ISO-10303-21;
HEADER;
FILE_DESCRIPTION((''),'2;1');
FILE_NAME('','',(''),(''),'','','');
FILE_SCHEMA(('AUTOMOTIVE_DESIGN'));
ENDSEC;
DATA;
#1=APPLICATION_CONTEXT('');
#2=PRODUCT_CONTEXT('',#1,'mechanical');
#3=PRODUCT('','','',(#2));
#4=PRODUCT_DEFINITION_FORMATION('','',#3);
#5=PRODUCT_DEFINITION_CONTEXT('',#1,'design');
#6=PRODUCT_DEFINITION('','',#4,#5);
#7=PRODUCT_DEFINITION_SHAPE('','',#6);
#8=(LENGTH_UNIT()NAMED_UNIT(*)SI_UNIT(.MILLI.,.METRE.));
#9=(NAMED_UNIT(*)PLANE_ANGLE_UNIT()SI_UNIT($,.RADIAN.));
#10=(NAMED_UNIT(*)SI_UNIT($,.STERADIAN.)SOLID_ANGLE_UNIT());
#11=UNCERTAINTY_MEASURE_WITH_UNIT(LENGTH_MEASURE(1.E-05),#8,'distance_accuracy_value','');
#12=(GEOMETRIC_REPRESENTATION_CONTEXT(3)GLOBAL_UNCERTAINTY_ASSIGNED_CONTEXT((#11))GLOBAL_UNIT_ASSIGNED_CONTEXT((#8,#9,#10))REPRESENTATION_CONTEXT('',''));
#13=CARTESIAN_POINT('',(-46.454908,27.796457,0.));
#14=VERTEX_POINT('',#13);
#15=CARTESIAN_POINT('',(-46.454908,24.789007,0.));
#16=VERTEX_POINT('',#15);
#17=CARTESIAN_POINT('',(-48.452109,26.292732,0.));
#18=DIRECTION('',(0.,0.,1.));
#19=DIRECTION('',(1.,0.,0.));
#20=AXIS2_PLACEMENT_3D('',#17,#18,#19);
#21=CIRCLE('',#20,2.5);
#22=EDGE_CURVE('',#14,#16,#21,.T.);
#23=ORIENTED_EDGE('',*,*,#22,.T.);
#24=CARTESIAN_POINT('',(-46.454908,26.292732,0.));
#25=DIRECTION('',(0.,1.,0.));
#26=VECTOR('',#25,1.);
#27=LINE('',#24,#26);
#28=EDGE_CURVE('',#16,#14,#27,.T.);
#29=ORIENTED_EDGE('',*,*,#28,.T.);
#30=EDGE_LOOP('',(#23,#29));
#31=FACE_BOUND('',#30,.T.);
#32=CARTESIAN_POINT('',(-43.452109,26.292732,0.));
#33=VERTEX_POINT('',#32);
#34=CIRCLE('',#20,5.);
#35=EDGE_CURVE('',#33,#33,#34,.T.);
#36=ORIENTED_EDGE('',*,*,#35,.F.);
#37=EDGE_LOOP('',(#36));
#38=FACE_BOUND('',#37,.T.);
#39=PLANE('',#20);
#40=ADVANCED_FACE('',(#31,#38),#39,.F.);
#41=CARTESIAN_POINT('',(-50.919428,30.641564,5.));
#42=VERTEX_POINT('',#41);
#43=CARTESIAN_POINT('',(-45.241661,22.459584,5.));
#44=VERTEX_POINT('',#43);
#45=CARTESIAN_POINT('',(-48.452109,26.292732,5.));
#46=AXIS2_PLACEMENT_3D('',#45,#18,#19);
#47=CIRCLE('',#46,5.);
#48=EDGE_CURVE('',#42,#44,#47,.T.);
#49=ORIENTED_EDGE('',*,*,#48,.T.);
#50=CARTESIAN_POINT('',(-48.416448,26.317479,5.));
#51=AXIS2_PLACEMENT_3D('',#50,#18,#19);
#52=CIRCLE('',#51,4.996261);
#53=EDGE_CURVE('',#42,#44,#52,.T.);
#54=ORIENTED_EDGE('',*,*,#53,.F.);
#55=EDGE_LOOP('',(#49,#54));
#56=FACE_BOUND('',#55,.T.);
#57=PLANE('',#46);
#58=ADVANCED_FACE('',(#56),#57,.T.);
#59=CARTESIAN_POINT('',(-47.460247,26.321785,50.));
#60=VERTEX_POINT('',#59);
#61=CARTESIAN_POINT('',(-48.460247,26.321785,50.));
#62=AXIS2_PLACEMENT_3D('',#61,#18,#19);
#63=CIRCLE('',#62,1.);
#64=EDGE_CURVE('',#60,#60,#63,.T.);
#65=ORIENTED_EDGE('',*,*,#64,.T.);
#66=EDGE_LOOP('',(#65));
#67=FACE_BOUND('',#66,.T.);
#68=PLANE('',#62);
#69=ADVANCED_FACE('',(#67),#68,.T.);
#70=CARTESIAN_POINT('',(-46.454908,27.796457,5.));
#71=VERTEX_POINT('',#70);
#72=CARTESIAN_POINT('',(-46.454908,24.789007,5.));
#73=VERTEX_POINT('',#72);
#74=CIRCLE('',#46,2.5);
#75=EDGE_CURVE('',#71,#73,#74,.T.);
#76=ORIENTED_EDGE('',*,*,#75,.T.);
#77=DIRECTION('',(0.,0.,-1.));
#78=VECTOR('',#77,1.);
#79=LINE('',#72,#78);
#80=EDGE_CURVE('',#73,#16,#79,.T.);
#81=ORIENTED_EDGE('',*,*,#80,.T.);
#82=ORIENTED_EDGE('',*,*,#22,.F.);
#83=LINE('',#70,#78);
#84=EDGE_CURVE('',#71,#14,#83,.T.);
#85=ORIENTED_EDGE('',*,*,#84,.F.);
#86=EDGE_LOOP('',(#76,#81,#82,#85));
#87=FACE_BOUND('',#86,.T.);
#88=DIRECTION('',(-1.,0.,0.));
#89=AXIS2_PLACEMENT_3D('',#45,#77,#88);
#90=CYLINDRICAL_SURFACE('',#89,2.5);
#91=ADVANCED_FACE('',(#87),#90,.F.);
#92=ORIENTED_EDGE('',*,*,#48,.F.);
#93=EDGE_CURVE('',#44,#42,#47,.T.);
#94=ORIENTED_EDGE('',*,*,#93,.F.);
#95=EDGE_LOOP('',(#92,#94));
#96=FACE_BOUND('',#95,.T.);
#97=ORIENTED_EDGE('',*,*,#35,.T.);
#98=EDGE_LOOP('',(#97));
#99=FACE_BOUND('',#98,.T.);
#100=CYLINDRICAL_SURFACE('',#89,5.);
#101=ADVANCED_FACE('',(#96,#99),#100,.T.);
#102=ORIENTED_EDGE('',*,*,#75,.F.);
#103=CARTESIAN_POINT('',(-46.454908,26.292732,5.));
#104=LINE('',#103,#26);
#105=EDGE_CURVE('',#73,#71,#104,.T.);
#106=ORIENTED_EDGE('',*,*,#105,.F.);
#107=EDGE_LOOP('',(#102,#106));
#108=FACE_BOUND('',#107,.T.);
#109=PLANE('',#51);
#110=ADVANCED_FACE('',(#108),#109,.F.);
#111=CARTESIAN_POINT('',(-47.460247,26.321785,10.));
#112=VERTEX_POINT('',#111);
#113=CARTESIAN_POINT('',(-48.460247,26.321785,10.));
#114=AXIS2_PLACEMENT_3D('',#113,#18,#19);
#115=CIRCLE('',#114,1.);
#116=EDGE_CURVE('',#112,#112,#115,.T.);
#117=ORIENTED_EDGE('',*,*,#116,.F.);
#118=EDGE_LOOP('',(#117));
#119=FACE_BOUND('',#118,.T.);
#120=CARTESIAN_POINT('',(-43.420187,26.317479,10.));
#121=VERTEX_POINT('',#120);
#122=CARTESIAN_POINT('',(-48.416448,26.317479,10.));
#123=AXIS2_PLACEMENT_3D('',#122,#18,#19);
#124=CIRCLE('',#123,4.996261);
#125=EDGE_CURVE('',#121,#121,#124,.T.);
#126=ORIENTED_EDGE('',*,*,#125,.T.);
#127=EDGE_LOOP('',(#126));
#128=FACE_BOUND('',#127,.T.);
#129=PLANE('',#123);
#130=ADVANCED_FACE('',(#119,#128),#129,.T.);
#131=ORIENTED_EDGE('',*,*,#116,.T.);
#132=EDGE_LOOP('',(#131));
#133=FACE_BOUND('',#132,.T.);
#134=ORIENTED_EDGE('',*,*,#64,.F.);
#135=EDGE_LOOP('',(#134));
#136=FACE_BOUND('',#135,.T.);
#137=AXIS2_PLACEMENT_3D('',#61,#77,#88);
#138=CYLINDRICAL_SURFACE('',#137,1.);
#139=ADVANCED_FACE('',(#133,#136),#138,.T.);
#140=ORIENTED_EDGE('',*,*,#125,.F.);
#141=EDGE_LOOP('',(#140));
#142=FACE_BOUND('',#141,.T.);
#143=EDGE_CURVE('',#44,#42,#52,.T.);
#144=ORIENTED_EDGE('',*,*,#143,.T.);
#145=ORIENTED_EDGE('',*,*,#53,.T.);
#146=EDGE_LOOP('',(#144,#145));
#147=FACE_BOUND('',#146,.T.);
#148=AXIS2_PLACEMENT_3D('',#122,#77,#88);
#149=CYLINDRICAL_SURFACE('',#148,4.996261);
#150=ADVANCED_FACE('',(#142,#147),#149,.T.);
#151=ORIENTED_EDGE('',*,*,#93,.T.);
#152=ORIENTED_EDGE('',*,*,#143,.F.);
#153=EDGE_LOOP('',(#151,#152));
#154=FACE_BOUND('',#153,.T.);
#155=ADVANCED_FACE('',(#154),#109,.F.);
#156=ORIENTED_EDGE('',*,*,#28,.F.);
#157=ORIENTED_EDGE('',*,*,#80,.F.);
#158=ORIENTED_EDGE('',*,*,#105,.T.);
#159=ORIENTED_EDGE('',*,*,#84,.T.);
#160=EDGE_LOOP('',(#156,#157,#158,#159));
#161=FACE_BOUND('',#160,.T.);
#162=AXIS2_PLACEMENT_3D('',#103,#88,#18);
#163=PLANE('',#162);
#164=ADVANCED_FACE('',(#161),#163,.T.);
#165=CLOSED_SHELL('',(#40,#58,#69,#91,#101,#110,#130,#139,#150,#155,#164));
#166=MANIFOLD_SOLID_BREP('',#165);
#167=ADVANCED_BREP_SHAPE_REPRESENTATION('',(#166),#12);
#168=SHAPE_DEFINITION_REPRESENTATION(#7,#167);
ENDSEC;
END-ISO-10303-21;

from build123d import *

# Parameters (mm, degrees)
SKETCH8_R           = 5
BOSS_EXTRUDE3_DEPTH = 5
SKETCH9_R           = 4.996260813
BOSS_EXTRUDE4_DEPTH = 5
SKETCH10_R          = 1
BOSS_EXTRUDE5_DEPTH = 40


with BuildPart() as part:
    # Sketch8 → Boss-Extrude3 (new body)
    with BuildSketch(Plane.XY):
        with Locations((-48.452108999, 26.292732134)):
            Circle(SKETCH8_R)
        with BuildLine():
            Line((-46.454907961, 26.292732134), (-46.454907961, 27.796456848))
            ThreePointArc((-46.454907961, 27.796456848), (-50.952108999, 26.292732134), (-46.454907961, 24.789007421))
            Line((-46.454907961, 24.789007421), (-46.454907961, 26.292732134))
        make_face(mode=Mode.SUBTRACT)
    extrude(amount=BOSS_EXTRUDE3_DEPTH)

    # Sketch9 → Boss-Extrude4 (add)
    with BuildSketch(Plane.XY.offset(5)):
        with Locations((-48.416448045, 26.317478542)):
            Circle(SKETCH9_R)
    extrude(amount=BOSS_EXTRUDE4_DEPTH)

    # Sketch10 → Boss-Extrude5 (add)
    with BuildSketch(Plane.XY.offset(10)):
        with Locations((-48.460247299, 26.321784668)):
            Circle(SKETCH10_R)
    extrude(amount=BOSS_EXTRUDE5_DEPTH)


solid = part.part
